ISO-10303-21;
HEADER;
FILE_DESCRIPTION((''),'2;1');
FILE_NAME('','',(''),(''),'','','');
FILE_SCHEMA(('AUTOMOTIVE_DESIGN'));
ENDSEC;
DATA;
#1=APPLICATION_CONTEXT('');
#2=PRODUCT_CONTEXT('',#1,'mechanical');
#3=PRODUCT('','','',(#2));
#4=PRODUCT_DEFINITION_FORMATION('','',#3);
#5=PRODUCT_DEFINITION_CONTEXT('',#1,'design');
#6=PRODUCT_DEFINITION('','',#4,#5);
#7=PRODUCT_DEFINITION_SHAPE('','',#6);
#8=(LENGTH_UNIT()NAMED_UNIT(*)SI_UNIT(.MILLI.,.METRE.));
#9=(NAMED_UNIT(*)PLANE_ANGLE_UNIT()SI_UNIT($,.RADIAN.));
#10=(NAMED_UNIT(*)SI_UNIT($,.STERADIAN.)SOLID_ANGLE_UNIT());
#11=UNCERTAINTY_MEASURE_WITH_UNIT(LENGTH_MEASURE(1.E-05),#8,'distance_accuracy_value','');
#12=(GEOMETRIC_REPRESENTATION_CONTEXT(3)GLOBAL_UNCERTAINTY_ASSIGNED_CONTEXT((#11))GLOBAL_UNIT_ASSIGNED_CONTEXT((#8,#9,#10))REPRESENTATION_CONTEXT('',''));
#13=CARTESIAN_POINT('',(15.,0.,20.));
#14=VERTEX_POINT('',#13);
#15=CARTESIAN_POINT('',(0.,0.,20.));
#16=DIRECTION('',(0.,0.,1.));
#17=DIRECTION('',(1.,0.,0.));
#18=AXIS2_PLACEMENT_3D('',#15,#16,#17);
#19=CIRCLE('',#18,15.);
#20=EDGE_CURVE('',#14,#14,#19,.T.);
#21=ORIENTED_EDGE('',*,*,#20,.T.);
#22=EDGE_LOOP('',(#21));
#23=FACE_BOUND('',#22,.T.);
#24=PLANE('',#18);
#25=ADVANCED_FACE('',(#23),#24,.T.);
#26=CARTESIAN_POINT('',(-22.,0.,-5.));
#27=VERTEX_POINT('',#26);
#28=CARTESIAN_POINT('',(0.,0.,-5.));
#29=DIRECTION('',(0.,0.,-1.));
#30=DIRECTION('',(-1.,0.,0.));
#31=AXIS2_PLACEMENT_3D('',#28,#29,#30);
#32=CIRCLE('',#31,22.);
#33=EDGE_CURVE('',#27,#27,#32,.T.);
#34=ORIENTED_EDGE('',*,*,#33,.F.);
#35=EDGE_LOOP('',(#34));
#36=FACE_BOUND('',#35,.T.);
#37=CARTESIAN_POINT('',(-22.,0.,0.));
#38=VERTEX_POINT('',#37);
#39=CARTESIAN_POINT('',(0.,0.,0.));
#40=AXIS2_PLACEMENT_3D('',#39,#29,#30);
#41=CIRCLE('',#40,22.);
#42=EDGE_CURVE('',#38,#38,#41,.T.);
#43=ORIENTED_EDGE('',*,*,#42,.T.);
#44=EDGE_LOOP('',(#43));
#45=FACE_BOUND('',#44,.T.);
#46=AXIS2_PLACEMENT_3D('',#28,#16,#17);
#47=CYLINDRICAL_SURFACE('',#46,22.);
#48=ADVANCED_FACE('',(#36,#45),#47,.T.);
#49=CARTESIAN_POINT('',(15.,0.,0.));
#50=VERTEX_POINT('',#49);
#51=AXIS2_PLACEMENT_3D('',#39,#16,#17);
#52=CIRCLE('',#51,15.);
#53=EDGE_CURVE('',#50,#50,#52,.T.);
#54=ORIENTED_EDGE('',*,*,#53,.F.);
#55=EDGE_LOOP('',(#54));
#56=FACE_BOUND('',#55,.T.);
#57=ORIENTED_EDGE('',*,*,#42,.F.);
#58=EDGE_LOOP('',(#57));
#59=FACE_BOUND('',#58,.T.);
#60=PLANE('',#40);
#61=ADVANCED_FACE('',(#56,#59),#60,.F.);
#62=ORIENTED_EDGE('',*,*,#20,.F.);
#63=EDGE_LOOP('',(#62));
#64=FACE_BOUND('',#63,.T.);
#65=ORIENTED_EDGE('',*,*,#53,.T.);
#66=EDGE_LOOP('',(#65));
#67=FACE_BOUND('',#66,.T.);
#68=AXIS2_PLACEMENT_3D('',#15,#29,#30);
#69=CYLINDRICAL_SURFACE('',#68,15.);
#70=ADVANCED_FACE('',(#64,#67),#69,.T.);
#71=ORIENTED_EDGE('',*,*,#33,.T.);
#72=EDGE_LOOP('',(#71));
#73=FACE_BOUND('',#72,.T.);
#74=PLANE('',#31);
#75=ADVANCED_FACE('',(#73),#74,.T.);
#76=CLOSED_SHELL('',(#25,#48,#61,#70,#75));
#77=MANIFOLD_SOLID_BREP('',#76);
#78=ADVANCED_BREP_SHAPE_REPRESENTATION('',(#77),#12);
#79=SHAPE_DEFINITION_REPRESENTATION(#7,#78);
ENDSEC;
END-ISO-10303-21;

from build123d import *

# Parameters (mm, degrees)
ESQUISSE1_R        = 15
BOSS_EXTRU_1_DEPTH = 20
ESQUISSE2_R        = 22
BOSS_EXTRU_2_DEPTH = 5


with BuildPart() as part:
    # Esquisse1 → Boss.-Extru.1 (new body)
    with BuildSketch(Plane.XY):
        Circle(ESQUISSE1_R)
    extrude(amount=BOSS_EXTRU_1_DEPTH)

    # Esquisse2 → Boss.-Extru.2 (add)
    with BuildSketch(Plane(origin=(0, 0, 0), x_dir=(-1, 0, 0), z_dir=(0, 0, -1))):
        Circle(ESQUISSE2_R)
    extrude(amount=BOSS_EXTRU_2_DEPTH)


solid = part.part
